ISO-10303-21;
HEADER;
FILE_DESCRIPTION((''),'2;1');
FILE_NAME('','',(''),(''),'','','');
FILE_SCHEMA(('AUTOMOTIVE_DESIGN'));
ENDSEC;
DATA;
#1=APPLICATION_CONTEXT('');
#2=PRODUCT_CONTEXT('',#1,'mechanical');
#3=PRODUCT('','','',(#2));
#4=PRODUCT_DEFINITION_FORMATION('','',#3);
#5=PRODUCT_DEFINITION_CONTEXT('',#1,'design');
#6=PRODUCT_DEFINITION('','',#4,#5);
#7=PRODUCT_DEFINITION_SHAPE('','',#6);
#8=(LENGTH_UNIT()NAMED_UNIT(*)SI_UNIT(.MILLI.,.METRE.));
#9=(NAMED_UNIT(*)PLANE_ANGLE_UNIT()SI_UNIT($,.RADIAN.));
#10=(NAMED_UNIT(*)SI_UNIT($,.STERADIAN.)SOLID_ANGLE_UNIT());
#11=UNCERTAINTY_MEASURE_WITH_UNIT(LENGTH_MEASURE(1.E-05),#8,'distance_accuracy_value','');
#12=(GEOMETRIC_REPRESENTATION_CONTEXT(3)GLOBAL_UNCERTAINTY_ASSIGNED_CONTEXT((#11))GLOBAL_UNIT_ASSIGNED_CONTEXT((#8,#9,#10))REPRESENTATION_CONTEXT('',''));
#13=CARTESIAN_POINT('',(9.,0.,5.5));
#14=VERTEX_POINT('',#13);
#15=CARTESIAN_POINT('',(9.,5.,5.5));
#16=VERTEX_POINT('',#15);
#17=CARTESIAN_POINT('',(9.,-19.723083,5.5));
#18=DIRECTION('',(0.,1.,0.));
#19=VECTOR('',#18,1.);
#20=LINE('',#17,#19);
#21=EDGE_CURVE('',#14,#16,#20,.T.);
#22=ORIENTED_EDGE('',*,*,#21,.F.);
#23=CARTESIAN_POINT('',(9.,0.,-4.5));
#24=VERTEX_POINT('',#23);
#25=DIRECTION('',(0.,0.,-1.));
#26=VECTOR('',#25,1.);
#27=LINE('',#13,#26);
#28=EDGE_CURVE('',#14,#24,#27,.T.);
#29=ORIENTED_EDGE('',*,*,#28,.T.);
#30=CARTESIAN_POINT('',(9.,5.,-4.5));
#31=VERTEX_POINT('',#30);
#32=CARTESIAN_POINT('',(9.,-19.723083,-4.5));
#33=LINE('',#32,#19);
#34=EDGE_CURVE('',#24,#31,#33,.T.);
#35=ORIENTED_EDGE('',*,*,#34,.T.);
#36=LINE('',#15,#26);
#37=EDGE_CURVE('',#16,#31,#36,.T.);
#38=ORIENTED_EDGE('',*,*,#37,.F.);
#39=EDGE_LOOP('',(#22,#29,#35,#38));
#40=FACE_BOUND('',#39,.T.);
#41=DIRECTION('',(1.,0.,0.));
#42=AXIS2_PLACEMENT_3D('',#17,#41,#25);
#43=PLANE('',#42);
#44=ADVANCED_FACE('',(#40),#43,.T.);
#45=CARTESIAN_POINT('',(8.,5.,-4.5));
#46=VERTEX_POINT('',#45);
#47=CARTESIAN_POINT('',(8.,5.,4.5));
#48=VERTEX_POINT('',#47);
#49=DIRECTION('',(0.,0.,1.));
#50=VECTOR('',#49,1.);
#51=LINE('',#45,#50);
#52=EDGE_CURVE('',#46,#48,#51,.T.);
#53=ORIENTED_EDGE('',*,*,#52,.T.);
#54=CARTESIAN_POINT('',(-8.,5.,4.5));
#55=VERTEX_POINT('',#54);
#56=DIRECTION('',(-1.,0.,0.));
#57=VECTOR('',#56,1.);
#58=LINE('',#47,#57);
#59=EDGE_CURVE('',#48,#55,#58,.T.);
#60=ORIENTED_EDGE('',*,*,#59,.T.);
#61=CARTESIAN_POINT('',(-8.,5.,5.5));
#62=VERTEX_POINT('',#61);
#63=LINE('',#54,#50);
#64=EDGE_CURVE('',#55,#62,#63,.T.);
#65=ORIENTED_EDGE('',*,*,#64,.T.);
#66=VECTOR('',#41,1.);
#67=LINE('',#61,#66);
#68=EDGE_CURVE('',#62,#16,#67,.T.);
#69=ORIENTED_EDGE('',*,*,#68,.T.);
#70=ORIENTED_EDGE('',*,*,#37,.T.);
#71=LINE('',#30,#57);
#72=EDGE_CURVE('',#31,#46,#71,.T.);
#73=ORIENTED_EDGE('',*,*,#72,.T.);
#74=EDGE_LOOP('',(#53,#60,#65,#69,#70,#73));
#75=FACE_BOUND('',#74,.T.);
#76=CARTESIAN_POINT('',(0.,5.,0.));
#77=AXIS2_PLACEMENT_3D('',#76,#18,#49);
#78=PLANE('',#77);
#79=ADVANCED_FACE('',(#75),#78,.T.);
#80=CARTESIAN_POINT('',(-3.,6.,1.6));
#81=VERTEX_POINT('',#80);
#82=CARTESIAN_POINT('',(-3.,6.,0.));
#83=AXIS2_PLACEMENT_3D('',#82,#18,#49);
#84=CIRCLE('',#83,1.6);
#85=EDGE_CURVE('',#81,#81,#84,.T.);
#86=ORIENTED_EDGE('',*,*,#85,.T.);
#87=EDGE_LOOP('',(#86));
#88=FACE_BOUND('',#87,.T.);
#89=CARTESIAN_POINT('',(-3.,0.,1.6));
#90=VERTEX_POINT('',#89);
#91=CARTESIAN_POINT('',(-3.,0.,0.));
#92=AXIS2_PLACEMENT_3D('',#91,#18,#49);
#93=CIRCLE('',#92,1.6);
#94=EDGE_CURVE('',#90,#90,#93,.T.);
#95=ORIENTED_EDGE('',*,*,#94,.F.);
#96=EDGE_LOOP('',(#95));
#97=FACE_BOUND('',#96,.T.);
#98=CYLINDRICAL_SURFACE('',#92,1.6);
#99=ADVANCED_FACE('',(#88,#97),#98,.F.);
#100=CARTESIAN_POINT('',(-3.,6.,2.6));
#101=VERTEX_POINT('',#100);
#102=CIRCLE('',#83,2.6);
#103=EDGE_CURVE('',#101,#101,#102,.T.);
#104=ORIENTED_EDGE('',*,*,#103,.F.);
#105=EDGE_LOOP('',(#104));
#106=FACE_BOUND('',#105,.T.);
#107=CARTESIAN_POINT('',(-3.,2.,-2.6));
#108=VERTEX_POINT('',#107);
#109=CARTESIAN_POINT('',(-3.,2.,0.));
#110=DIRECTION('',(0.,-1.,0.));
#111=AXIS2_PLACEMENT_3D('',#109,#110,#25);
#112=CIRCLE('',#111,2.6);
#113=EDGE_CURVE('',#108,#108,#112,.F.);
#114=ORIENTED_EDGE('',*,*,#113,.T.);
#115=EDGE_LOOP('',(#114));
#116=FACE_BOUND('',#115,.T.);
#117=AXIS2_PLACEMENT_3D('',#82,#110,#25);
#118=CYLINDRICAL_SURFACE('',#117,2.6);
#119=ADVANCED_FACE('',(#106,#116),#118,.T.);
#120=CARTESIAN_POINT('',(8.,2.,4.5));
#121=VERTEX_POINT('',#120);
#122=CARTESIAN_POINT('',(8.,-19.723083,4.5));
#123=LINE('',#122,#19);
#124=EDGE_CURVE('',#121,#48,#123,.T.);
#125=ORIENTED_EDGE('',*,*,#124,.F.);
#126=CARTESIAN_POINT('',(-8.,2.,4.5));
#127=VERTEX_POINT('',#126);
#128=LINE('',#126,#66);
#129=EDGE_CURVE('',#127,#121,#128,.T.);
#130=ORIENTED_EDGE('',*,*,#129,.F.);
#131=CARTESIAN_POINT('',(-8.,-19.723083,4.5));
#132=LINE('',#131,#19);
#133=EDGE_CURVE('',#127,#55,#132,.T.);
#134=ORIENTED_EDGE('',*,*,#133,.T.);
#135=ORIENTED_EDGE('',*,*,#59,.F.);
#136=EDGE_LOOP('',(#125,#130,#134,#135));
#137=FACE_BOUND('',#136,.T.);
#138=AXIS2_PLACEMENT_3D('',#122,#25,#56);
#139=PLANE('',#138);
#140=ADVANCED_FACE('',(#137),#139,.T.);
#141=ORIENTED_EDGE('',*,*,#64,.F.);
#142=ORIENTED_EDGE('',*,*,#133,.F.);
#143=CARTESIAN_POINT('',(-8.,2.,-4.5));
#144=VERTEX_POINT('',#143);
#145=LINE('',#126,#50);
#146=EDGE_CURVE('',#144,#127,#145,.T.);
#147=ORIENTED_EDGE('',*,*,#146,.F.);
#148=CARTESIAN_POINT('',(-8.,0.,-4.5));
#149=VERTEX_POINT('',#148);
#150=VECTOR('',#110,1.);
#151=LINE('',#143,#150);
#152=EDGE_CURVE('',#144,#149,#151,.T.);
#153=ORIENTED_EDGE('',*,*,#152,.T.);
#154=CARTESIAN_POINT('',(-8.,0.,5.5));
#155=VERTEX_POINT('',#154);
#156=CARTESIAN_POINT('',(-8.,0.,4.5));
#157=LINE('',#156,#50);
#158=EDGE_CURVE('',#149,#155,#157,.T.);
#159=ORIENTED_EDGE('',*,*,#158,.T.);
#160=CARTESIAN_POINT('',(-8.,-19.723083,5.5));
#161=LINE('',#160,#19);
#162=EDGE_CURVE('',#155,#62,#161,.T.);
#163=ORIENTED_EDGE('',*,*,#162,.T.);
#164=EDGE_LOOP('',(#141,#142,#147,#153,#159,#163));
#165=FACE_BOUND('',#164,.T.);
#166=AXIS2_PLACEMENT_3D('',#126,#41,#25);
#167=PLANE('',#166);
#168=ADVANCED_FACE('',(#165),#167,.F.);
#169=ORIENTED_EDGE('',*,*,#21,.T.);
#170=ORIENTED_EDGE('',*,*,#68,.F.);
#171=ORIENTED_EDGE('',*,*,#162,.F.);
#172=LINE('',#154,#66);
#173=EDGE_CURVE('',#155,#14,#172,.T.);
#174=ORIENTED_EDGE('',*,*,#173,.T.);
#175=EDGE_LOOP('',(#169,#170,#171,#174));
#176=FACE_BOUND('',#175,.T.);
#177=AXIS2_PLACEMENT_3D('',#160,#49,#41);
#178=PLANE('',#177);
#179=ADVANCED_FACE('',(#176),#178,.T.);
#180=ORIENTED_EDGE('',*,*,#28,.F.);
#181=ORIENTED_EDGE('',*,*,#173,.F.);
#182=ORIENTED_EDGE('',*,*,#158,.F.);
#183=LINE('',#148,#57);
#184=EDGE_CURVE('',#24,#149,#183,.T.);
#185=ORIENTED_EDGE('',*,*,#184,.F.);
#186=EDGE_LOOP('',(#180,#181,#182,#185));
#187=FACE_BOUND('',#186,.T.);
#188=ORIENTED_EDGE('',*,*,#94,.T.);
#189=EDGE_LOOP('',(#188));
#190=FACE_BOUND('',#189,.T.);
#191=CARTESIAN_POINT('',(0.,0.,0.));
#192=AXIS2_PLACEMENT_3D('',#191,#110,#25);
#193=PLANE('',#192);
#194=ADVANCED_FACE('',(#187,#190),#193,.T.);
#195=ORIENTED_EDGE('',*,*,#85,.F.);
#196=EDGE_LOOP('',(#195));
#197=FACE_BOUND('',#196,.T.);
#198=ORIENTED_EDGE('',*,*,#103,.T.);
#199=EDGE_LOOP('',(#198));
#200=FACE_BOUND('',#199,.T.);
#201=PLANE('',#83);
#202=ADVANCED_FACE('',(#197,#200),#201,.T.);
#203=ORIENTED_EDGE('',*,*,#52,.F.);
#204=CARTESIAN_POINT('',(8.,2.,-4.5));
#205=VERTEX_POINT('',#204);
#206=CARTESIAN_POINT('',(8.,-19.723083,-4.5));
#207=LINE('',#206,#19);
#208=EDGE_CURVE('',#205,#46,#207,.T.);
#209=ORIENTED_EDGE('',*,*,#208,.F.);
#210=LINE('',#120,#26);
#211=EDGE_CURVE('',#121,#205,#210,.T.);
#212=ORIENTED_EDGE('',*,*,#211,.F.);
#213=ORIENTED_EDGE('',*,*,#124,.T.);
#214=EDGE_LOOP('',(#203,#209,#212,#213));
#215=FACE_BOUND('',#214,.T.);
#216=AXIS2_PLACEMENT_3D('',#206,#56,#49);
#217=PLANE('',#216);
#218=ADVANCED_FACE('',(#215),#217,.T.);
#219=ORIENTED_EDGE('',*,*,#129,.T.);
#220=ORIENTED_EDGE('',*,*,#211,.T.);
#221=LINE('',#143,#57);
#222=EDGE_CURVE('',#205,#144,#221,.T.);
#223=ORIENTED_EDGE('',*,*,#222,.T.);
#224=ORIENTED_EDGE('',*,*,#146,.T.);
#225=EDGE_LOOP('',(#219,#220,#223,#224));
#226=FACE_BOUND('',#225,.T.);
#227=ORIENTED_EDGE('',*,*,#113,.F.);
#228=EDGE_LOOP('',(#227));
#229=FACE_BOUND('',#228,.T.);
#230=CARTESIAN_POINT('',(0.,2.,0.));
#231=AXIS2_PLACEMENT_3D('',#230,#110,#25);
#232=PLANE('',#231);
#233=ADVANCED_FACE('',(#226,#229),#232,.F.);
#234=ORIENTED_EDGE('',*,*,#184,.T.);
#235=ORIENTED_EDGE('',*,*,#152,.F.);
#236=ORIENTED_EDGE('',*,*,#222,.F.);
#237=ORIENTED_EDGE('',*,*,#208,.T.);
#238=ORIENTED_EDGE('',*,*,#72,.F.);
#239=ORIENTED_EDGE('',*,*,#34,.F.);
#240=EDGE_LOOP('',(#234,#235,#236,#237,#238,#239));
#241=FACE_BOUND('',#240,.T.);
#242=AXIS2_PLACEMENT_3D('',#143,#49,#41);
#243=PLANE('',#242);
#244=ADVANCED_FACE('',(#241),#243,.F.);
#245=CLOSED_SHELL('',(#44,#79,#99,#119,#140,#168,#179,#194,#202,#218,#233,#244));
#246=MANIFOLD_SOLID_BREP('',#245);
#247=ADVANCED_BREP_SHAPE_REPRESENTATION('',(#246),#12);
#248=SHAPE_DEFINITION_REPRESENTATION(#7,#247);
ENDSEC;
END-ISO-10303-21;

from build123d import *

# Parameters (mm, degrees)
SKETCH_1_W           = 16
SKETCH_1_H           = 9
EXTRUDE_1_DEPTH      = 2
SKETCH_2_R           = 2.6
EXTRUDE_2_DEPTH      = 4
EXTRUDE_3_DEPTH      = 3
EXTRUDE_3_DEPTH_BACK = 2
SKETCH_4_R           = 1.6
CUT_EXTRUDE_1_DEPTH  = 13.1346611


with BuildPart() as part:
    # 草图1 → 凸台-拉伸1 (new body)
    with BuildSketch(Plane(origin=(0, 0, 0), x_dir=(1, 0, 0), z_dir=(0, 1, 0))):
        Rectangle(SKETCH_1_W, SKETCH_1_H)
    extrude(amount=EXTRUDE_1_DEPTH)

    # 草图2 → 凸台-拉伸2 (add)
    with BuildSketch(Plane(origin=(0, 2, 0), x_dir=(1, 0, 0), z_dir=(0, 1, 0))):
        with Locations(Location((-3, 0, 0), (0, 0, 90))):
            Circle(SKETCH_2_R)
    extrude(amount=EXTRUDE_2_DEPTH)

    # 草图3 → 凸台-拉伸3 (add, two sides: drawn at the far end of the back side and taken through both)
    with BuildSketch(Plane(origin=(0, 2, 0), x_dir=(1, 0, 0), z_dir=(0, 1, 0)).offset(-EXTRUDE_3_DEPTH_BACK)):
        Polygon((-8, -4.5), (-8, -5.5), (9, -5.5), (9, 4.5), (8, 4.5), (8, -4.5), align=None)
    extrude(amount=EXTRUDE_3_DEPTH + EXTRUDE_3_DEPTH_BACK)

    # 草图4 → 切除-拉伸1 (cut, through all)
    with BuildSketch(Plane(origin=(0, 6, 0), x_dir=(1, 0, 0), z_dir=(0, 1, 0))):
        with Locations(Location((-3, 0, 0), (0, 0, 270))):
            Circle(SKETCH_4_R)
    extrude(amount=-CUT_EXTRUDE_1_DEPTH, mode=Mode.SUBTRACT)


solid = part.part
